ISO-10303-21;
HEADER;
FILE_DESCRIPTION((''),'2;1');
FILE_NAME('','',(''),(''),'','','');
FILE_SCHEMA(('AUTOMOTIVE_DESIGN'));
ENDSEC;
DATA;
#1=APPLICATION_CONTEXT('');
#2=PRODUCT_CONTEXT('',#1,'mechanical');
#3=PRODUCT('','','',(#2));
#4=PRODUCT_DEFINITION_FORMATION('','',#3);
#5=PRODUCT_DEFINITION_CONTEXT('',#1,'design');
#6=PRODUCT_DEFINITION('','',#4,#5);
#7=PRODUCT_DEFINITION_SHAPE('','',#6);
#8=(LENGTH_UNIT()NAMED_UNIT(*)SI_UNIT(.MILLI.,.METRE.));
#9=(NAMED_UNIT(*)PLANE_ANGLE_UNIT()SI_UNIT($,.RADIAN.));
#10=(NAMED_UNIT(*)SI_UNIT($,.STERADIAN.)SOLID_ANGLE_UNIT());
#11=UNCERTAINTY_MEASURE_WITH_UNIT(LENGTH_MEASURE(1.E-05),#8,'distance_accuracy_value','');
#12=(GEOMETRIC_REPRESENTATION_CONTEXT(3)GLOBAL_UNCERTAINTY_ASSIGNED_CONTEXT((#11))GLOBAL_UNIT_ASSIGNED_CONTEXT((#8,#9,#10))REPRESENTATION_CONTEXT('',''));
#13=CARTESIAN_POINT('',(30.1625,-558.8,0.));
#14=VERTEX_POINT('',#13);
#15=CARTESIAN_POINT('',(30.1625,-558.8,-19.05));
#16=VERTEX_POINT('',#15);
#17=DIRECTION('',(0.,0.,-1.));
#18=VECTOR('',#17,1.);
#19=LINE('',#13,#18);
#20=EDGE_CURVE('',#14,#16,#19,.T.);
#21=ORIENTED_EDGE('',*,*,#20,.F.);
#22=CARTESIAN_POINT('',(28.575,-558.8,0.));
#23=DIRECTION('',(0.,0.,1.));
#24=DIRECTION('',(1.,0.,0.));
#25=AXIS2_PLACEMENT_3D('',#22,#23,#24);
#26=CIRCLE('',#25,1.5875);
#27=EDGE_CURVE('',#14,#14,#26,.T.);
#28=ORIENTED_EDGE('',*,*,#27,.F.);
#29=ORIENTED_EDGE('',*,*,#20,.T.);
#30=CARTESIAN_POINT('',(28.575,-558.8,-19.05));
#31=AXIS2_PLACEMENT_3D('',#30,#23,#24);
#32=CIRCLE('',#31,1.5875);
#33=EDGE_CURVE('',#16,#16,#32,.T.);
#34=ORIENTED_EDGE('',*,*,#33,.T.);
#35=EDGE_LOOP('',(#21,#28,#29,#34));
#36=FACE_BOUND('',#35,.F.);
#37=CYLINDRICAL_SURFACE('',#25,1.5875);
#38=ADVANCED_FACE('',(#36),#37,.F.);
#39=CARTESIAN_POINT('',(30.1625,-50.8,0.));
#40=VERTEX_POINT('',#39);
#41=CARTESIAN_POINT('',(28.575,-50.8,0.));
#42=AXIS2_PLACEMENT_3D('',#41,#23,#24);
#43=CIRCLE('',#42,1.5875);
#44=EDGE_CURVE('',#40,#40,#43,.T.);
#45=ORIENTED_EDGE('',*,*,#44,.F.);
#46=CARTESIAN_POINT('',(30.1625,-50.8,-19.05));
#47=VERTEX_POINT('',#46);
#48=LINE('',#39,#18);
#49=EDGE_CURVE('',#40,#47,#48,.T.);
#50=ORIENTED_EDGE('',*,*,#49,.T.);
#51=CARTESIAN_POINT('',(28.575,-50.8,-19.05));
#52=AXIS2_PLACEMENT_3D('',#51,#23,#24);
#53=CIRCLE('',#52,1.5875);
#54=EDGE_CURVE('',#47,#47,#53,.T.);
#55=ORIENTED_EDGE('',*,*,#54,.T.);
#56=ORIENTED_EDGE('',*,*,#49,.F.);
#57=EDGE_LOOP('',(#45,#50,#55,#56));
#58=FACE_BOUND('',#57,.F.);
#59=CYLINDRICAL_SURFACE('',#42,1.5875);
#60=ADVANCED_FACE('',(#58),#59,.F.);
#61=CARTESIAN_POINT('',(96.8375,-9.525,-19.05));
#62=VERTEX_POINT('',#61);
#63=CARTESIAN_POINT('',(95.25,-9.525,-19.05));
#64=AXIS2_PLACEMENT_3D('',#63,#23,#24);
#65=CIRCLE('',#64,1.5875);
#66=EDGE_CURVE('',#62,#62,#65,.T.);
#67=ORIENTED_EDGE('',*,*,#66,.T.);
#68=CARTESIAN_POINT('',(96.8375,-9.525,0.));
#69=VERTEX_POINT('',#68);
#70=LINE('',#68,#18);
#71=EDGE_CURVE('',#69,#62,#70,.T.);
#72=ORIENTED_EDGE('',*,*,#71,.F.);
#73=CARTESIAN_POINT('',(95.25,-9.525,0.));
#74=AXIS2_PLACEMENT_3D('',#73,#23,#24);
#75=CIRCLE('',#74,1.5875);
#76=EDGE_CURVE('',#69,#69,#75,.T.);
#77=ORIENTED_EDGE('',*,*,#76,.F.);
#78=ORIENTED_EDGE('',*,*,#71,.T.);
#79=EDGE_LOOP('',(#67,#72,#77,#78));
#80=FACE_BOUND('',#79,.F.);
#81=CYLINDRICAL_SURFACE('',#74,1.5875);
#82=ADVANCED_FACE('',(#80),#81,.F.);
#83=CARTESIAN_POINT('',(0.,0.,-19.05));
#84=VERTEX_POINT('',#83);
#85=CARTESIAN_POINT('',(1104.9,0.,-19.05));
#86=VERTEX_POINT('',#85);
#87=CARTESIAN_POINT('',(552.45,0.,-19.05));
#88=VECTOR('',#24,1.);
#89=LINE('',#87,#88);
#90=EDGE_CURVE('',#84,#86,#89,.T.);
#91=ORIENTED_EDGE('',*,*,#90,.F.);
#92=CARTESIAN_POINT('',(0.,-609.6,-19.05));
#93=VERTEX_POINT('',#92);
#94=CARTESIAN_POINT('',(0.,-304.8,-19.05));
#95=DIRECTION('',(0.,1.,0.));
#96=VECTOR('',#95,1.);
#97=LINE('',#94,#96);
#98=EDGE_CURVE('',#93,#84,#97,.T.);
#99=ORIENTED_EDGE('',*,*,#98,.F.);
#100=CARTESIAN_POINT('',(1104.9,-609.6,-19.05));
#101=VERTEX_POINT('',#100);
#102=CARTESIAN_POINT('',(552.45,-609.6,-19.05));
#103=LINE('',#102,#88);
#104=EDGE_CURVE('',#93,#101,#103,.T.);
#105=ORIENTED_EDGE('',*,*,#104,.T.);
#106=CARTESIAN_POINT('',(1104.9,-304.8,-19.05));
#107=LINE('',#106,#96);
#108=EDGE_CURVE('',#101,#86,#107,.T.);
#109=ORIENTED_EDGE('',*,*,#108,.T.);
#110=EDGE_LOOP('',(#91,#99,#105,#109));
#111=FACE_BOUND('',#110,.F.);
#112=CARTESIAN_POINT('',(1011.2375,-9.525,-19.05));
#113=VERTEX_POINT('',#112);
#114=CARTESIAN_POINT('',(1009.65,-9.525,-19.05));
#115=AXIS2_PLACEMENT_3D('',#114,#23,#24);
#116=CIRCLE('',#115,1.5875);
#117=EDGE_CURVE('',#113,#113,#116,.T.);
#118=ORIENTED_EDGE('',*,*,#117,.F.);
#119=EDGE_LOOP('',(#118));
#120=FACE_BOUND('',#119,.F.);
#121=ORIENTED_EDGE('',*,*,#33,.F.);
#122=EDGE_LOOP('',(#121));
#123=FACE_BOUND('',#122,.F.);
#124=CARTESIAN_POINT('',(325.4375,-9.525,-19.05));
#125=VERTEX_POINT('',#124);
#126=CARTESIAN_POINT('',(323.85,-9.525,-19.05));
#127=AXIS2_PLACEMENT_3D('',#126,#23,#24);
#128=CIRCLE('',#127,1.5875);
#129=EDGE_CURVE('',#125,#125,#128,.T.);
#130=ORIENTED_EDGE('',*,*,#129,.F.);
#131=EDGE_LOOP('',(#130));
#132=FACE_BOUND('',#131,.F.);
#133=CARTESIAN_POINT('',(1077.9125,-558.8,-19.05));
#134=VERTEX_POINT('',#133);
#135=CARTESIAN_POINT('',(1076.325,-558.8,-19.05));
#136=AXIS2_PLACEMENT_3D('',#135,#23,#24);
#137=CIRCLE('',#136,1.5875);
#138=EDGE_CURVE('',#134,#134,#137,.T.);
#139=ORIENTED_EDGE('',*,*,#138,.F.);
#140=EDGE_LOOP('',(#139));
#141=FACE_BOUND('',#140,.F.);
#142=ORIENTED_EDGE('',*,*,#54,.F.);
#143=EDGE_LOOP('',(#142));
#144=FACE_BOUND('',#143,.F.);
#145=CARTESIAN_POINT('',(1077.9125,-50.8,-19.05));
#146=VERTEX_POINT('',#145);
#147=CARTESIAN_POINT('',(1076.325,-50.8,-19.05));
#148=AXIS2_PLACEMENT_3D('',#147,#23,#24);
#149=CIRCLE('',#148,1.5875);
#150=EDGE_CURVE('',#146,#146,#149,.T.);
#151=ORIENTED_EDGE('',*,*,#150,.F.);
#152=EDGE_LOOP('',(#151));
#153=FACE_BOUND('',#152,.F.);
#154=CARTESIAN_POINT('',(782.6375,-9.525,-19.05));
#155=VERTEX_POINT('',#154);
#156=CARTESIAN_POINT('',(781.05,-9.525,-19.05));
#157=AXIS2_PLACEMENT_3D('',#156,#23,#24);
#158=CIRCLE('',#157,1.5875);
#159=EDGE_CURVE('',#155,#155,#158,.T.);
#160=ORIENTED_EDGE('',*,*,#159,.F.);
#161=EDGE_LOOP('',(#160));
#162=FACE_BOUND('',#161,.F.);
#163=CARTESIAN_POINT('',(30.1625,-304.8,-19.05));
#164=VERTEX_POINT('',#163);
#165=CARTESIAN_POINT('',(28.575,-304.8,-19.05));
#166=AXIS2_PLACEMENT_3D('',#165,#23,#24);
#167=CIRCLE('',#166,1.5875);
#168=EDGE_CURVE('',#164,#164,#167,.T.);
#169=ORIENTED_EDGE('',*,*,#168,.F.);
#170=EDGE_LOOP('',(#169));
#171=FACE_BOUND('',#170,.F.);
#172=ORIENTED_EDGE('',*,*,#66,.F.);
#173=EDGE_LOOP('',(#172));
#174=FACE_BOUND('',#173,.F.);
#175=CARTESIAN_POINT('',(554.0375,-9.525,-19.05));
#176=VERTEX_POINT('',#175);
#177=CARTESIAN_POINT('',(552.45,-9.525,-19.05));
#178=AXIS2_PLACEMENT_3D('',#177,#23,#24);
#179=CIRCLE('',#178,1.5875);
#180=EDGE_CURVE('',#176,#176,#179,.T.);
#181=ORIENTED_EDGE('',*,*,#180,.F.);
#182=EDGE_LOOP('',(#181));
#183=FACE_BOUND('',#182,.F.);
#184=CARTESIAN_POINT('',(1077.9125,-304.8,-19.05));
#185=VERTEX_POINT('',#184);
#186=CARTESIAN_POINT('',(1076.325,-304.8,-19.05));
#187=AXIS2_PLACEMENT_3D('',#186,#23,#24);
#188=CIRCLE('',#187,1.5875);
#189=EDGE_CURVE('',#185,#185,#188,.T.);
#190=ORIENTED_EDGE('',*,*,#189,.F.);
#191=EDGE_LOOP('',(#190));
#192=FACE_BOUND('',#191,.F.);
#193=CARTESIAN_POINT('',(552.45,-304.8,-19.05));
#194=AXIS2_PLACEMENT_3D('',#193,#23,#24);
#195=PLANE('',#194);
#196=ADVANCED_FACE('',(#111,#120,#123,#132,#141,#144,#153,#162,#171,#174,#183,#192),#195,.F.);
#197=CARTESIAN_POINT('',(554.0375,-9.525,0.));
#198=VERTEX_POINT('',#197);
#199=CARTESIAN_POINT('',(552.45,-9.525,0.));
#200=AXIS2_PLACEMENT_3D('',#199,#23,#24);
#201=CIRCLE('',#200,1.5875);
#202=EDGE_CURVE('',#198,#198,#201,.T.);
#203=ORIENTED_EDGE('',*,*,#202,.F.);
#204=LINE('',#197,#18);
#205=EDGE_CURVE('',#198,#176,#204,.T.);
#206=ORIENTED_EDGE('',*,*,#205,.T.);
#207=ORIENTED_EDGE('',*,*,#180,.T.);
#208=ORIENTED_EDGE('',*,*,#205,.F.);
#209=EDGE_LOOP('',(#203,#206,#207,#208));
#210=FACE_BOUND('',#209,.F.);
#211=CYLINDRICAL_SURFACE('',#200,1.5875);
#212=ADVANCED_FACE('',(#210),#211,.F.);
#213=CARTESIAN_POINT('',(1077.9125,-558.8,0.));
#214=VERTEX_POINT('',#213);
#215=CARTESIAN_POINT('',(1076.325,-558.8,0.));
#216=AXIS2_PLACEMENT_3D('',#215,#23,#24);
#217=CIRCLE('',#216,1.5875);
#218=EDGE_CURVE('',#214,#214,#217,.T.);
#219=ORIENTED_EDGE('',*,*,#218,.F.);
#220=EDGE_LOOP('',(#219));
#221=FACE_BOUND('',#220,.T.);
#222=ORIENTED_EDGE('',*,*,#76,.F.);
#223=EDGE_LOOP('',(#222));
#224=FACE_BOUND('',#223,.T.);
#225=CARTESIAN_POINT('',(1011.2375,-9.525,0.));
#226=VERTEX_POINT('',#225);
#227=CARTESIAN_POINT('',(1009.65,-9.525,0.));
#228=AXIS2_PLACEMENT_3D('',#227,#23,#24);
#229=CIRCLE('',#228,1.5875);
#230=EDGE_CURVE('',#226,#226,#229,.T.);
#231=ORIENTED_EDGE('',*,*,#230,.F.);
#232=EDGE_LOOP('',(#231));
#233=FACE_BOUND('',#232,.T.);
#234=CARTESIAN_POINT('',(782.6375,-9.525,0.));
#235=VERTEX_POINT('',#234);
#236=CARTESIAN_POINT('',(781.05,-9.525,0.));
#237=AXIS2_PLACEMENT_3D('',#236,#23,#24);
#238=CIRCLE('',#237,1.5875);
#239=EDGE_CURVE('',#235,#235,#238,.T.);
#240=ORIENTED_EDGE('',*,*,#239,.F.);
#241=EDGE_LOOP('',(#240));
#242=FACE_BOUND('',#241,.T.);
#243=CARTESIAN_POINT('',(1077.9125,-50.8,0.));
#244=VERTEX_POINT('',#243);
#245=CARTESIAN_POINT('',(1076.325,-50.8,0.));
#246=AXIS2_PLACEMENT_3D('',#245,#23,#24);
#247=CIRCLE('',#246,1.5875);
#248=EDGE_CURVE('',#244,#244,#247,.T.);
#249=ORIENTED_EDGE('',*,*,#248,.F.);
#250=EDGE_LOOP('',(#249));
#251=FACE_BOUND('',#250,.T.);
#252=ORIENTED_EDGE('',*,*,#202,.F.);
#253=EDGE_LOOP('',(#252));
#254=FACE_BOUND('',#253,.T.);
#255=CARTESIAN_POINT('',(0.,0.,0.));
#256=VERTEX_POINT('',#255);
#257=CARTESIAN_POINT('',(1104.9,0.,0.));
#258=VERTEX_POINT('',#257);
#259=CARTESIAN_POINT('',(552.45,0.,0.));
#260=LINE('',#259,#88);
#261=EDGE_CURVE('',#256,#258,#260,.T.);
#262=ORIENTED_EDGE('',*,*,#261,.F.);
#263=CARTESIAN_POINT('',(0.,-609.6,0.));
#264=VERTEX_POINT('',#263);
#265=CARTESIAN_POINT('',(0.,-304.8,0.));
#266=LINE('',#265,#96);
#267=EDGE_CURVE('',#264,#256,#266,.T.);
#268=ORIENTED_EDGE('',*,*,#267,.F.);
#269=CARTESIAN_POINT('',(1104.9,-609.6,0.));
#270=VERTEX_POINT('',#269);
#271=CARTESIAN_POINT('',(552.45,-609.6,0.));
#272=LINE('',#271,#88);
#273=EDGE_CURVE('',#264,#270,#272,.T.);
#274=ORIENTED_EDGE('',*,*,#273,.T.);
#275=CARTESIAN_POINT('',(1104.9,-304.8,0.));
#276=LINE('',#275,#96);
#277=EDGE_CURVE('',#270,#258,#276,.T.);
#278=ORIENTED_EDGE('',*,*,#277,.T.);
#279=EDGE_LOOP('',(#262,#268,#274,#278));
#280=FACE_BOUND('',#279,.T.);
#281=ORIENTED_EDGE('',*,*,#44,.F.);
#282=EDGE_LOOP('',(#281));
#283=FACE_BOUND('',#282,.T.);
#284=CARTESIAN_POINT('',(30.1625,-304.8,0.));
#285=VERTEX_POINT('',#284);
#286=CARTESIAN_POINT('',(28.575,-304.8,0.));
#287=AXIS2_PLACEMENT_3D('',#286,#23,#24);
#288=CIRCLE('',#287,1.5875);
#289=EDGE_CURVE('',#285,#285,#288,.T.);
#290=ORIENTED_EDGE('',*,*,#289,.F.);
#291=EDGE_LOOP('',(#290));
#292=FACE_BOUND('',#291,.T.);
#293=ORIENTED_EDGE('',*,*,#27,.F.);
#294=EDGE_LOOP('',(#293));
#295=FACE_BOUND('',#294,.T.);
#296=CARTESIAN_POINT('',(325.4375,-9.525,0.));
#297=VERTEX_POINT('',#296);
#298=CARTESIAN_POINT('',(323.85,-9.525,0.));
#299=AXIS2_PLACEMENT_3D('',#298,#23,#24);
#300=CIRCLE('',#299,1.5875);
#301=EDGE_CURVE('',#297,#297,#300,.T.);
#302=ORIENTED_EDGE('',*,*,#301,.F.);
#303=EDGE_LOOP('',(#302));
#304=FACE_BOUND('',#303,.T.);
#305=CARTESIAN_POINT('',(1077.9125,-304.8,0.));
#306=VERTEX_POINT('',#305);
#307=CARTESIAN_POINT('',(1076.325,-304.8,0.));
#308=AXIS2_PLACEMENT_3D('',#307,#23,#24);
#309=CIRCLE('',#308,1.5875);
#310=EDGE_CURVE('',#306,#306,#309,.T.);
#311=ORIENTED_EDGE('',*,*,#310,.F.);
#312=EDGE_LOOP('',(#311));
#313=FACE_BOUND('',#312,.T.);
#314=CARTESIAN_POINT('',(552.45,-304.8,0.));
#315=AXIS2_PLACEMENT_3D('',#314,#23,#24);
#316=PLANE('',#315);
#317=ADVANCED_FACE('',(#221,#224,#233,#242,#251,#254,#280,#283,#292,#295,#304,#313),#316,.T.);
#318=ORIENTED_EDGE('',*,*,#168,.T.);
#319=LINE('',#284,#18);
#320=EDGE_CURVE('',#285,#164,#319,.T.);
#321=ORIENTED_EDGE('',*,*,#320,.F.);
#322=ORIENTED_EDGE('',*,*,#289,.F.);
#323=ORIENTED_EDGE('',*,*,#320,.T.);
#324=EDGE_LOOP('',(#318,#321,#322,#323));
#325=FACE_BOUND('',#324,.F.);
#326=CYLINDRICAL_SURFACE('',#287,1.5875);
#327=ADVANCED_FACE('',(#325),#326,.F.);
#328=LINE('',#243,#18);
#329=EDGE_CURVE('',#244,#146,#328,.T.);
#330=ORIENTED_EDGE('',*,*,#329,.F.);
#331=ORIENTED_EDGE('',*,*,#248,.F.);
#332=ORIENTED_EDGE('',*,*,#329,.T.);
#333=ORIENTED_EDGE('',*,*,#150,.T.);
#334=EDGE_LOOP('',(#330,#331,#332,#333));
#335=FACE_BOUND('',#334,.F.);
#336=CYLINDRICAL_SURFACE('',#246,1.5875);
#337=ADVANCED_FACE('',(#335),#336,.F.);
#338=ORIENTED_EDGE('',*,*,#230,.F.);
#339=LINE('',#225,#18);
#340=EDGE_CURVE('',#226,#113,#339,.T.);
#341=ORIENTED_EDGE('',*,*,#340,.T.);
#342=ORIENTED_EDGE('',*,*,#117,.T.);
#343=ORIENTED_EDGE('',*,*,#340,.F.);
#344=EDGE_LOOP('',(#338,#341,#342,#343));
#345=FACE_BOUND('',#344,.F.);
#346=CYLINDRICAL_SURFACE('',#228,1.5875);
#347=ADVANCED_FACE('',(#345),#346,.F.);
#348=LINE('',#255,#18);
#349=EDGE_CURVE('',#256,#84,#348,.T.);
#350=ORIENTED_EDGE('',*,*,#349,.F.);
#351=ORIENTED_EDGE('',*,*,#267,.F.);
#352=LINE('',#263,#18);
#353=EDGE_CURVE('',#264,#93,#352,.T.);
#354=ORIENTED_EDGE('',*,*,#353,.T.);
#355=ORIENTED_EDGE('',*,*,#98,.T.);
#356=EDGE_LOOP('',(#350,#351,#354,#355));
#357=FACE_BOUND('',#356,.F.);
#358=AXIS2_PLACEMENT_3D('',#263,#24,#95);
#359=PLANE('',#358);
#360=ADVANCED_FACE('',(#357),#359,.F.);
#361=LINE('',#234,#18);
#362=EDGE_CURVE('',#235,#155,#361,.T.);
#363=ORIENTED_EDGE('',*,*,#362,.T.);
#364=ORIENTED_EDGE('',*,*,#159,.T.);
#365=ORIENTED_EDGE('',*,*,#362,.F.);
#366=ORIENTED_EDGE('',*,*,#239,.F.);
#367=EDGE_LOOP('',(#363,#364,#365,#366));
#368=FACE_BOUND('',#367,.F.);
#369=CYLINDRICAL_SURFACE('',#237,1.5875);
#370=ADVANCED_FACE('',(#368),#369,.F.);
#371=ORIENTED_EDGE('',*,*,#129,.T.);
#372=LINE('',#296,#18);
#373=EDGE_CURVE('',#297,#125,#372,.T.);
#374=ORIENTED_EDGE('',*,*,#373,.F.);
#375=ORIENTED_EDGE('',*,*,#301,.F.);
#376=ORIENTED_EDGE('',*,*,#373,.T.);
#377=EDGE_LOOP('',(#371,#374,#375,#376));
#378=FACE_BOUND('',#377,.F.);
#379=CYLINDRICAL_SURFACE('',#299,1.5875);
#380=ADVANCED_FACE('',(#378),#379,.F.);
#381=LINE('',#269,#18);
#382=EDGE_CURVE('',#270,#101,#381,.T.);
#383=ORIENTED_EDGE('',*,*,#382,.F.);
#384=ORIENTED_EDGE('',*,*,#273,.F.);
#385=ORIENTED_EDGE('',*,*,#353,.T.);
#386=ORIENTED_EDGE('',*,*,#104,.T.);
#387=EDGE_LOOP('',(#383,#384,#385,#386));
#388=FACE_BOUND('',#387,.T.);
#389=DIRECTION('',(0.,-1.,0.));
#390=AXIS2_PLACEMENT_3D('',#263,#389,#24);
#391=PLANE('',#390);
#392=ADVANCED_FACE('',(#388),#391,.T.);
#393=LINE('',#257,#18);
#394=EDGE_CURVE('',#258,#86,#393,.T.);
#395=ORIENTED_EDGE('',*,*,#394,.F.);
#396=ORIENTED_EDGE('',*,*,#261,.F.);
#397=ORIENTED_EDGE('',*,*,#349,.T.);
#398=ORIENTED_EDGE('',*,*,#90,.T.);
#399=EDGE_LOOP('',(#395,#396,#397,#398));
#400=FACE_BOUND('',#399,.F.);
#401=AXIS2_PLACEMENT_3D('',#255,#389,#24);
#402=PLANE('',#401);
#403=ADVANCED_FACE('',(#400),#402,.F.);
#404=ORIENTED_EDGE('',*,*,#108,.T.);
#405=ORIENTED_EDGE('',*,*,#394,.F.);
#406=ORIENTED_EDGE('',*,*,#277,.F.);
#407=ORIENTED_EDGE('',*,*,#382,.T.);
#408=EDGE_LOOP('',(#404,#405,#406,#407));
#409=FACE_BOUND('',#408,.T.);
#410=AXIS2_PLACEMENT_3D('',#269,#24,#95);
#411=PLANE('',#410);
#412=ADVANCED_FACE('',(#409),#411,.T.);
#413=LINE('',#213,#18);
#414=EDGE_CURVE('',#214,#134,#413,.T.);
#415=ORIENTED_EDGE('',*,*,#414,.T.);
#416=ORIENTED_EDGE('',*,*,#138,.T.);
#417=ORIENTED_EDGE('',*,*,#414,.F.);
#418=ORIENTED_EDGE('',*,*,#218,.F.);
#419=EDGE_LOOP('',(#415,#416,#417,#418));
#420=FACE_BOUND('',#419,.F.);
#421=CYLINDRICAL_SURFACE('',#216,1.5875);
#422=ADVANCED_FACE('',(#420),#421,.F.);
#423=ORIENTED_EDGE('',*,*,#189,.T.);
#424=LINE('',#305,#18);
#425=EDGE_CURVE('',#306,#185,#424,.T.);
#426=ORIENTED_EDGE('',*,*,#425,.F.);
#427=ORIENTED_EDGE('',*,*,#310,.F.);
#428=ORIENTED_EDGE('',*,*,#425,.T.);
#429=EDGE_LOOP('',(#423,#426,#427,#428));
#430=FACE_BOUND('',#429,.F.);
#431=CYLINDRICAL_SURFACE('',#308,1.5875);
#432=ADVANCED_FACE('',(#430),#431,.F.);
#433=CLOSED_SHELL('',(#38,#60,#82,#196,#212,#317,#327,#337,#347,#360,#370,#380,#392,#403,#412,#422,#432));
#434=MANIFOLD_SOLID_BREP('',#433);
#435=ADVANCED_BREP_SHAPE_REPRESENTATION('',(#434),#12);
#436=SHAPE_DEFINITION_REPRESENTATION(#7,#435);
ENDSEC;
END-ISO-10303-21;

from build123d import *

# Parameters (mm, degrees)
F0_W     = 1104.9
F0_H     = 609.6
F1_DEPTH = 19.05
F2_R     = 1.5875
F3_DEPTH = 19.051
F4_R     = 1.5875
F5_DEPTH = 19.051


with BuildPart() as f1:
    # F0 (on Top) → F1 (new body)
    with BuildSketch(Plane.XY):
        with Locations((552.45, -304.8)):
            Rectangle(F0_W, F0_H)
    extrude(amount=-F1_DEPTH)

    # F2 (on Top) → F3 (cut, through all)
    with BuildSketch(Plane.XY):
        with Locations((95.25, -9.525)):
            Circle(F2_R)
        with Locations((323.85, -9.525)):
            Circle(F2_R)
        with Locations((552.45, -9.525)):
            Circle(F2_R)
        with Locations((781.05, -9.525)):
            Circle(F2_R)
        with Locations((1009.65, -9.525)):
            Circle(F2_R)
    extrude(amount=-F3_DEPTH, mode=Mode.SUBTRACT)

    # F4 (on Top) → F5 (cut, through all)
    with BuildSketch(Plane.XY):
        with Locations((28.575, -50.8)):
            Circle(F4_R)
        with Locations((28.575, -304.8)):
            Circle(F4_R)
        with Locations((28.575, -558.8)):
            Circle(F4_R)
        with Locations((1076.325, -50.8)):
            Circle(F4_R)
        with Locations((1076.325, -304.8)):
            Circle(F4_R)
        with Locations((1076.325, -558.8)):
            Circle(F4_R)
    extrude(amount=-F5_DEPTH, mode=Mode.SUBTRACT)


solid = f1.part
